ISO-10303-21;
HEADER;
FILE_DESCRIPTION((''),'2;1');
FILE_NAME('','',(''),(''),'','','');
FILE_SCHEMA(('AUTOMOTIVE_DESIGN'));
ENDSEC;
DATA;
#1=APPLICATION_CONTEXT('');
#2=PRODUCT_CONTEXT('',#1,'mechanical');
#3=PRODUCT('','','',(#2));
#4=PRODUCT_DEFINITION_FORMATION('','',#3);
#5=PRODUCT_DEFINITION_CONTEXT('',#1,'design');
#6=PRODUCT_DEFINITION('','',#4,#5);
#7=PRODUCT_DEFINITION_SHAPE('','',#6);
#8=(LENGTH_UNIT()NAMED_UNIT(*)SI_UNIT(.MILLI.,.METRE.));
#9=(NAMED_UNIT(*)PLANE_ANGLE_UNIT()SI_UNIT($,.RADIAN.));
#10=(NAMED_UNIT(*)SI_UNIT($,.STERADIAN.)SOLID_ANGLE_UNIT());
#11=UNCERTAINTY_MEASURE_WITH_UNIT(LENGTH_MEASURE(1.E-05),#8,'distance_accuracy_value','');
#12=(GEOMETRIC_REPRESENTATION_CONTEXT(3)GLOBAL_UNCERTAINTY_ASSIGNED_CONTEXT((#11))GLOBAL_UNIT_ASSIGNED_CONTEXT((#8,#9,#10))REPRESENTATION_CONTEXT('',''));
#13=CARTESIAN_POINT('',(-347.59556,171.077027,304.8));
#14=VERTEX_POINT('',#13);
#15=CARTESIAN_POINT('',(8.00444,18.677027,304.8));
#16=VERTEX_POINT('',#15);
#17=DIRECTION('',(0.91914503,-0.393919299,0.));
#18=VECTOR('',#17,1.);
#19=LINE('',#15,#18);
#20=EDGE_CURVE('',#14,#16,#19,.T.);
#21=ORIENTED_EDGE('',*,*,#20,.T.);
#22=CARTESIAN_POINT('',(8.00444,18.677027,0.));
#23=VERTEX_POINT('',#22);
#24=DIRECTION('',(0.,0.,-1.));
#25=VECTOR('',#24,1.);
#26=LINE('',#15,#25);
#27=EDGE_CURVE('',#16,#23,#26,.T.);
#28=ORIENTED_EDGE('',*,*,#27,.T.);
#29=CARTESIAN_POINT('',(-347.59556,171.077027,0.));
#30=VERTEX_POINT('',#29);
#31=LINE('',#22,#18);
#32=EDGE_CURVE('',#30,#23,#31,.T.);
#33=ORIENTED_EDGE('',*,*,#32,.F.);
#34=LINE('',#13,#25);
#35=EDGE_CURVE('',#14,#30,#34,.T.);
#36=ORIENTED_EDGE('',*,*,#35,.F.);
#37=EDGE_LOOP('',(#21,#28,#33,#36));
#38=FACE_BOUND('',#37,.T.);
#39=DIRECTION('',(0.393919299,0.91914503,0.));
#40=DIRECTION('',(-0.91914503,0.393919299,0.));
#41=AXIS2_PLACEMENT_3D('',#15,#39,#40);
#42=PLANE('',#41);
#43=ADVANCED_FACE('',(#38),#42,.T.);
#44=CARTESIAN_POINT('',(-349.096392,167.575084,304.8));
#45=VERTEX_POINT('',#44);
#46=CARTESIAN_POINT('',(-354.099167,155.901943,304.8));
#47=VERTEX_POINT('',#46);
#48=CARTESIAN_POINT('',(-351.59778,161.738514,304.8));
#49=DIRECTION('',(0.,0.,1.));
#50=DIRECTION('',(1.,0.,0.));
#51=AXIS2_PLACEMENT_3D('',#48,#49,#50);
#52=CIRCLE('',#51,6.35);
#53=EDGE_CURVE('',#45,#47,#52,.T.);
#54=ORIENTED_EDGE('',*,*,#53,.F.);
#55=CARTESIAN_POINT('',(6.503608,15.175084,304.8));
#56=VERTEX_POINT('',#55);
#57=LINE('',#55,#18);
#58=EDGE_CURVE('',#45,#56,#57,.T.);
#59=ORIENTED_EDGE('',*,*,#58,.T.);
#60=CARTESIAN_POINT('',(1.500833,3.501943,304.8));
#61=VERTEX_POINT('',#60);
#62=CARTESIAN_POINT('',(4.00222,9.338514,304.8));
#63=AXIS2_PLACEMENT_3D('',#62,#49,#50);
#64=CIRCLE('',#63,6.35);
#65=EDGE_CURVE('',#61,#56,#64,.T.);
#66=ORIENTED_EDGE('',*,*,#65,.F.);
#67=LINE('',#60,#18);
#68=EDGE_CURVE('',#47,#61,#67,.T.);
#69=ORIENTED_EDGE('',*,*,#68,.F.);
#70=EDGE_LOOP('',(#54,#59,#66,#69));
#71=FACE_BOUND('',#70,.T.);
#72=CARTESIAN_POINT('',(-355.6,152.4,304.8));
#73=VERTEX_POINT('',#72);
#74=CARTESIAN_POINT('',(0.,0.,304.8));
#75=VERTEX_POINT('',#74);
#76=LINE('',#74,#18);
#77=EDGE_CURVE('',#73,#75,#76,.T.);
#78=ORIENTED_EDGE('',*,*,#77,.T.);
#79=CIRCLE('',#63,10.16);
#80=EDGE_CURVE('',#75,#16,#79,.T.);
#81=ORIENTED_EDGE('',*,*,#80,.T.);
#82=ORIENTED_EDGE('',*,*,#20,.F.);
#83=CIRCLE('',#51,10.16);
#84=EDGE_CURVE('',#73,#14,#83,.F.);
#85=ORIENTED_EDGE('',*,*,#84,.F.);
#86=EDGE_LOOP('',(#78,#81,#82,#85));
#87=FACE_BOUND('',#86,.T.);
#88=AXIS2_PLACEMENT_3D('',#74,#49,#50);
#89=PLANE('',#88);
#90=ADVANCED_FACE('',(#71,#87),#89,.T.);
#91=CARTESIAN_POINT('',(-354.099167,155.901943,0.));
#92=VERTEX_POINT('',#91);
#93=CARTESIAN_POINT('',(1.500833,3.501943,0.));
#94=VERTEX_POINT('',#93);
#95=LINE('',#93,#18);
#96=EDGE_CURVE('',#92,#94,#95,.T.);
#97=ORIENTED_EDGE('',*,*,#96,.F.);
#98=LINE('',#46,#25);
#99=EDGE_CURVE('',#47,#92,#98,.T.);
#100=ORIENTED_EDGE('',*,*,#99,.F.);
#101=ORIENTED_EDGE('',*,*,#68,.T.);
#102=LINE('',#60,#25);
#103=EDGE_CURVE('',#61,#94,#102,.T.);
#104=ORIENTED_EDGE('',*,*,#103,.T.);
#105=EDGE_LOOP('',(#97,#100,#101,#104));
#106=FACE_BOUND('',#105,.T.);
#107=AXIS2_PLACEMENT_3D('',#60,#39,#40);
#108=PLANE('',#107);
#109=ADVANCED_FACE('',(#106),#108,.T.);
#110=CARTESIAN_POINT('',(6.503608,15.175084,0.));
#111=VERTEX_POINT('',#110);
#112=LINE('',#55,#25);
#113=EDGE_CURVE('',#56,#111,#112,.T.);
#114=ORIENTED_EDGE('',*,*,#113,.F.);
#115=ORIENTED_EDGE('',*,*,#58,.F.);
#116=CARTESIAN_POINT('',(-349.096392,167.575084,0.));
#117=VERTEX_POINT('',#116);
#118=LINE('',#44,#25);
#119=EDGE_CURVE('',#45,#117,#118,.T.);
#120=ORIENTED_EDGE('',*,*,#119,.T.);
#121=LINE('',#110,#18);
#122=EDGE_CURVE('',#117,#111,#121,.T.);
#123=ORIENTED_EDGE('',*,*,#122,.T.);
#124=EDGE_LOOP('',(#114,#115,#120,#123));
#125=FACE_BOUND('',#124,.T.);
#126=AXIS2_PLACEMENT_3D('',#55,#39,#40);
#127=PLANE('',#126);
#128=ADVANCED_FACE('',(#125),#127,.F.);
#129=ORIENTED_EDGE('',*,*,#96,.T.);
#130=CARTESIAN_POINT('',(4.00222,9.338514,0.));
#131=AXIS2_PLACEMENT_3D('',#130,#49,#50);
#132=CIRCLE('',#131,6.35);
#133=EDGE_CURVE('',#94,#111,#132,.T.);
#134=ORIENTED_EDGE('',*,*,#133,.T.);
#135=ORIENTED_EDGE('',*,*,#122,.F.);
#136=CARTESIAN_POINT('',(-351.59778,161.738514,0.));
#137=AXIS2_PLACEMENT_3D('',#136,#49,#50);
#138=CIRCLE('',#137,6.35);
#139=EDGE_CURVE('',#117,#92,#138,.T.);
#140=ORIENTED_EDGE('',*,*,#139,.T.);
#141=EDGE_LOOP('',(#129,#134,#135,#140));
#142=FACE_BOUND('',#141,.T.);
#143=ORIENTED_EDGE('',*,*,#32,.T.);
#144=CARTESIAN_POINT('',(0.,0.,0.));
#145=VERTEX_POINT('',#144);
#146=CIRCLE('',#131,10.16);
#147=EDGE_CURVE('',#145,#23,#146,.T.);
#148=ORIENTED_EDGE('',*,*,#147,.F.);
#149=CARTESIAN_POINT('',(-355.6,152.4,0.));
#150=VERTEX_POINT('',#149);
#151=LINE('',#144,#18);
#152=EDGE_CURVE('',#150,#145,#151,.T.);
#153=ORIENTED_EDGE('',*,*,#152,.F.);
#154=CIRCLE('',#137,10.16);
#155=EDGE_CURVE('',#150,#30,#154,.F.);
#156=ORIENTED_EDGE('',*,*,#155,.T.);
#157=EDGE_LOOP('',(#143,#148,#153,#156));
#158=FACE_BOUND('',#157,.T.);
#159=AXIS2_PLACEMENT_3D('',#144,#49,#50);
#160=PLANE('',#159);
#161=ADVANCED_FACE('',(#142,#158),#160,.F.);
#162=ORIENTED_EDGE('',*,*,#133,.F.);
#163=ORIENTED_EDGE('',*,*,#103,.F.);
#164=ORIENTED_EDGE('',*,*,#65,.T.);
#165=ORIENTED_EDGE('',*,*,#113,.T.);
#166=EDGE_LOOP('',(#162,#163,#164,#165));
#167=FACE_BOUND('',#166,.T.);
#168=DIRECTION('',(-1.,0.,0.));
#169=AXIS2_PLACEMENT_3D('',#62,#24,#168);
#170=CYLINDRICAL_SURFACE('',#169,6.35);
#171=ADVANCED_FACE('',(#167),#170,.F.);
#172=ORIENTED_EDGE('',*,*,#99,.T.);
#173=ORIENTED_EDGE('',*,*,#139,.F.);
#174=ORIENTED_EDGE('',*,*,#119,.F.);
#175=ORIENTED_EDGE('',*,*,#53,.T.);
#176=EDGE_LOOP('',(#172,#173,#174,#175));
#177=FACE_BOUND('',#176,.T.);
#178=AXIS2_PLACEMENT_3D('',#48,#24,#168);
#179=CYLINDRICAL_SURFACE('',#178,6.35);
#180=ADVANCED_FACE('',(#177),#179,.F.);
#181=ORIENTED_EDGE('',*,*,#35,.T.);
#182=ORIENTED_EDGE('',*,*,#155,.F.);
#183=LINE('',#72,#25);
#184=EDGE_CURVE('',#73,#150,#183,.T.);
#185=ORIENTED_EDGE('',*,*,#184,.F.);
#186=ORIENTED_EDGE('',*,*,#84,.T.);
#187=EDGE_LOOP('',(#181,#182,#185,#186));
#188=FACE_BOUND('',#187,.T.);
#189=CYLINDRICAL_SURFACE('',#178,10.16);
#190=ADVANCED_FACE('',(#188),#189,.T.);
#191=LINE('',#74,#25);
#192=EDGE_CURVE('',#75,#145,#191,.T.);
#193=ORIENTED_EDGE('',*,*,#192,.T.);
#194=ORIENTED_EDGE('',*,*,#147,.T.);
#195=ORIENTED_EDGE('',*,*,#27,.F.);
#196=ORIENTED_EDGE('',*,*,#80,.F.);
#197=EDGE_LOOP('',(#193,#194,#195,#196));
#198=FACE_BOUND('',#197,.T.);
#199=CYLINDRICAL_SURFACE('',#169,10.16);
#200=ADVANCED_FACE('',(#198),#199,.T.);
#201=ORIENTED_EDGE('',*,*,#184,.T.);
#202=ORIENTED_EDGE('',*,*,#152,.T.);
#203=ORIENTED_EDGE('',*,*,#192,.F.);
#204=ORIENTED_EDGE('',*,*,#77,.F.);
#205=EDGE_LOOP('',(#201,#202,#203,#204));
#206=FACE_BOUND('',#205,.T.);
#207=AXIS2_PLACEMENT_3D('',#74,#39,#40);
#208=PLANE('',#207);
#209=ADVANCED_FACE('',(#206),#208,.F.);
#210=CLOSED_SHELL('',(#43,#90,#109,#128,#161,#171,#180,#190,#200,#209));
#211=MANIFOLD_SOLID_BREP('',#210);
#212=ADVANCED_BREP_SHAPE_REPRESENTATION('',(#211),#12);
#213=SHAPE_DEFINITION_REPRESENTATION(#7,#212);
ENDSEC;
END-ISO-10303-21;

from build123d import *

# Parameters (mm, degrees)
BOSS_EXTRUDE1_DEPTH = 304.8


with BuildPart() as part:
    # Sketch1 → Boss-Extrude1 (new body)
    with BuildSketch(Plane.XY):
        Polygon((-349.09639238, 167.575084446), (6.50360762, 15.175084446), (8.004440147, 18.67702701), (-347.595559853, 171.07702701), align=None)
        Polygon((-354.099167472, 155.901942564), (1.500832528, 3.501942564), (0, 0), (-355.6, 152.4), align=None)
        with BuildLine():
            ThreePointArc((-349.09639238, 167.575084446), (-357.434350867, 164.239901051), (-354.099167472, 155.901942564))
            Line((-354.099167472, 155.901942564), (-355.6, 152.4))
            ThreePointArc((-355.6, 152.4), (-360.936293431, 165.740733579), (-347.595559853, 171.07702701))
            Line((-347.595559853, 171.07702701), (-349.09639238, 167.575084446))
        make_face()
        with BuildLine():
            ThreePointArc((1.500832528, 3.501942564), (9.838791014, 6.837125959), (6.50360762, 15.175084446))
            Line((6.50360762, 15.175084446), (8.004440147, 18.67702701))
            ThreePointArc((8.004440147, 18.67702701), (13.340733579, 5.336293431), (0, 0))
            Line((0, 0), (1.500832528, 3.501942564))
        make_face()
    extrude(amount=BOSS_EXTRUDE1_DEPTH)


solid = part.part
